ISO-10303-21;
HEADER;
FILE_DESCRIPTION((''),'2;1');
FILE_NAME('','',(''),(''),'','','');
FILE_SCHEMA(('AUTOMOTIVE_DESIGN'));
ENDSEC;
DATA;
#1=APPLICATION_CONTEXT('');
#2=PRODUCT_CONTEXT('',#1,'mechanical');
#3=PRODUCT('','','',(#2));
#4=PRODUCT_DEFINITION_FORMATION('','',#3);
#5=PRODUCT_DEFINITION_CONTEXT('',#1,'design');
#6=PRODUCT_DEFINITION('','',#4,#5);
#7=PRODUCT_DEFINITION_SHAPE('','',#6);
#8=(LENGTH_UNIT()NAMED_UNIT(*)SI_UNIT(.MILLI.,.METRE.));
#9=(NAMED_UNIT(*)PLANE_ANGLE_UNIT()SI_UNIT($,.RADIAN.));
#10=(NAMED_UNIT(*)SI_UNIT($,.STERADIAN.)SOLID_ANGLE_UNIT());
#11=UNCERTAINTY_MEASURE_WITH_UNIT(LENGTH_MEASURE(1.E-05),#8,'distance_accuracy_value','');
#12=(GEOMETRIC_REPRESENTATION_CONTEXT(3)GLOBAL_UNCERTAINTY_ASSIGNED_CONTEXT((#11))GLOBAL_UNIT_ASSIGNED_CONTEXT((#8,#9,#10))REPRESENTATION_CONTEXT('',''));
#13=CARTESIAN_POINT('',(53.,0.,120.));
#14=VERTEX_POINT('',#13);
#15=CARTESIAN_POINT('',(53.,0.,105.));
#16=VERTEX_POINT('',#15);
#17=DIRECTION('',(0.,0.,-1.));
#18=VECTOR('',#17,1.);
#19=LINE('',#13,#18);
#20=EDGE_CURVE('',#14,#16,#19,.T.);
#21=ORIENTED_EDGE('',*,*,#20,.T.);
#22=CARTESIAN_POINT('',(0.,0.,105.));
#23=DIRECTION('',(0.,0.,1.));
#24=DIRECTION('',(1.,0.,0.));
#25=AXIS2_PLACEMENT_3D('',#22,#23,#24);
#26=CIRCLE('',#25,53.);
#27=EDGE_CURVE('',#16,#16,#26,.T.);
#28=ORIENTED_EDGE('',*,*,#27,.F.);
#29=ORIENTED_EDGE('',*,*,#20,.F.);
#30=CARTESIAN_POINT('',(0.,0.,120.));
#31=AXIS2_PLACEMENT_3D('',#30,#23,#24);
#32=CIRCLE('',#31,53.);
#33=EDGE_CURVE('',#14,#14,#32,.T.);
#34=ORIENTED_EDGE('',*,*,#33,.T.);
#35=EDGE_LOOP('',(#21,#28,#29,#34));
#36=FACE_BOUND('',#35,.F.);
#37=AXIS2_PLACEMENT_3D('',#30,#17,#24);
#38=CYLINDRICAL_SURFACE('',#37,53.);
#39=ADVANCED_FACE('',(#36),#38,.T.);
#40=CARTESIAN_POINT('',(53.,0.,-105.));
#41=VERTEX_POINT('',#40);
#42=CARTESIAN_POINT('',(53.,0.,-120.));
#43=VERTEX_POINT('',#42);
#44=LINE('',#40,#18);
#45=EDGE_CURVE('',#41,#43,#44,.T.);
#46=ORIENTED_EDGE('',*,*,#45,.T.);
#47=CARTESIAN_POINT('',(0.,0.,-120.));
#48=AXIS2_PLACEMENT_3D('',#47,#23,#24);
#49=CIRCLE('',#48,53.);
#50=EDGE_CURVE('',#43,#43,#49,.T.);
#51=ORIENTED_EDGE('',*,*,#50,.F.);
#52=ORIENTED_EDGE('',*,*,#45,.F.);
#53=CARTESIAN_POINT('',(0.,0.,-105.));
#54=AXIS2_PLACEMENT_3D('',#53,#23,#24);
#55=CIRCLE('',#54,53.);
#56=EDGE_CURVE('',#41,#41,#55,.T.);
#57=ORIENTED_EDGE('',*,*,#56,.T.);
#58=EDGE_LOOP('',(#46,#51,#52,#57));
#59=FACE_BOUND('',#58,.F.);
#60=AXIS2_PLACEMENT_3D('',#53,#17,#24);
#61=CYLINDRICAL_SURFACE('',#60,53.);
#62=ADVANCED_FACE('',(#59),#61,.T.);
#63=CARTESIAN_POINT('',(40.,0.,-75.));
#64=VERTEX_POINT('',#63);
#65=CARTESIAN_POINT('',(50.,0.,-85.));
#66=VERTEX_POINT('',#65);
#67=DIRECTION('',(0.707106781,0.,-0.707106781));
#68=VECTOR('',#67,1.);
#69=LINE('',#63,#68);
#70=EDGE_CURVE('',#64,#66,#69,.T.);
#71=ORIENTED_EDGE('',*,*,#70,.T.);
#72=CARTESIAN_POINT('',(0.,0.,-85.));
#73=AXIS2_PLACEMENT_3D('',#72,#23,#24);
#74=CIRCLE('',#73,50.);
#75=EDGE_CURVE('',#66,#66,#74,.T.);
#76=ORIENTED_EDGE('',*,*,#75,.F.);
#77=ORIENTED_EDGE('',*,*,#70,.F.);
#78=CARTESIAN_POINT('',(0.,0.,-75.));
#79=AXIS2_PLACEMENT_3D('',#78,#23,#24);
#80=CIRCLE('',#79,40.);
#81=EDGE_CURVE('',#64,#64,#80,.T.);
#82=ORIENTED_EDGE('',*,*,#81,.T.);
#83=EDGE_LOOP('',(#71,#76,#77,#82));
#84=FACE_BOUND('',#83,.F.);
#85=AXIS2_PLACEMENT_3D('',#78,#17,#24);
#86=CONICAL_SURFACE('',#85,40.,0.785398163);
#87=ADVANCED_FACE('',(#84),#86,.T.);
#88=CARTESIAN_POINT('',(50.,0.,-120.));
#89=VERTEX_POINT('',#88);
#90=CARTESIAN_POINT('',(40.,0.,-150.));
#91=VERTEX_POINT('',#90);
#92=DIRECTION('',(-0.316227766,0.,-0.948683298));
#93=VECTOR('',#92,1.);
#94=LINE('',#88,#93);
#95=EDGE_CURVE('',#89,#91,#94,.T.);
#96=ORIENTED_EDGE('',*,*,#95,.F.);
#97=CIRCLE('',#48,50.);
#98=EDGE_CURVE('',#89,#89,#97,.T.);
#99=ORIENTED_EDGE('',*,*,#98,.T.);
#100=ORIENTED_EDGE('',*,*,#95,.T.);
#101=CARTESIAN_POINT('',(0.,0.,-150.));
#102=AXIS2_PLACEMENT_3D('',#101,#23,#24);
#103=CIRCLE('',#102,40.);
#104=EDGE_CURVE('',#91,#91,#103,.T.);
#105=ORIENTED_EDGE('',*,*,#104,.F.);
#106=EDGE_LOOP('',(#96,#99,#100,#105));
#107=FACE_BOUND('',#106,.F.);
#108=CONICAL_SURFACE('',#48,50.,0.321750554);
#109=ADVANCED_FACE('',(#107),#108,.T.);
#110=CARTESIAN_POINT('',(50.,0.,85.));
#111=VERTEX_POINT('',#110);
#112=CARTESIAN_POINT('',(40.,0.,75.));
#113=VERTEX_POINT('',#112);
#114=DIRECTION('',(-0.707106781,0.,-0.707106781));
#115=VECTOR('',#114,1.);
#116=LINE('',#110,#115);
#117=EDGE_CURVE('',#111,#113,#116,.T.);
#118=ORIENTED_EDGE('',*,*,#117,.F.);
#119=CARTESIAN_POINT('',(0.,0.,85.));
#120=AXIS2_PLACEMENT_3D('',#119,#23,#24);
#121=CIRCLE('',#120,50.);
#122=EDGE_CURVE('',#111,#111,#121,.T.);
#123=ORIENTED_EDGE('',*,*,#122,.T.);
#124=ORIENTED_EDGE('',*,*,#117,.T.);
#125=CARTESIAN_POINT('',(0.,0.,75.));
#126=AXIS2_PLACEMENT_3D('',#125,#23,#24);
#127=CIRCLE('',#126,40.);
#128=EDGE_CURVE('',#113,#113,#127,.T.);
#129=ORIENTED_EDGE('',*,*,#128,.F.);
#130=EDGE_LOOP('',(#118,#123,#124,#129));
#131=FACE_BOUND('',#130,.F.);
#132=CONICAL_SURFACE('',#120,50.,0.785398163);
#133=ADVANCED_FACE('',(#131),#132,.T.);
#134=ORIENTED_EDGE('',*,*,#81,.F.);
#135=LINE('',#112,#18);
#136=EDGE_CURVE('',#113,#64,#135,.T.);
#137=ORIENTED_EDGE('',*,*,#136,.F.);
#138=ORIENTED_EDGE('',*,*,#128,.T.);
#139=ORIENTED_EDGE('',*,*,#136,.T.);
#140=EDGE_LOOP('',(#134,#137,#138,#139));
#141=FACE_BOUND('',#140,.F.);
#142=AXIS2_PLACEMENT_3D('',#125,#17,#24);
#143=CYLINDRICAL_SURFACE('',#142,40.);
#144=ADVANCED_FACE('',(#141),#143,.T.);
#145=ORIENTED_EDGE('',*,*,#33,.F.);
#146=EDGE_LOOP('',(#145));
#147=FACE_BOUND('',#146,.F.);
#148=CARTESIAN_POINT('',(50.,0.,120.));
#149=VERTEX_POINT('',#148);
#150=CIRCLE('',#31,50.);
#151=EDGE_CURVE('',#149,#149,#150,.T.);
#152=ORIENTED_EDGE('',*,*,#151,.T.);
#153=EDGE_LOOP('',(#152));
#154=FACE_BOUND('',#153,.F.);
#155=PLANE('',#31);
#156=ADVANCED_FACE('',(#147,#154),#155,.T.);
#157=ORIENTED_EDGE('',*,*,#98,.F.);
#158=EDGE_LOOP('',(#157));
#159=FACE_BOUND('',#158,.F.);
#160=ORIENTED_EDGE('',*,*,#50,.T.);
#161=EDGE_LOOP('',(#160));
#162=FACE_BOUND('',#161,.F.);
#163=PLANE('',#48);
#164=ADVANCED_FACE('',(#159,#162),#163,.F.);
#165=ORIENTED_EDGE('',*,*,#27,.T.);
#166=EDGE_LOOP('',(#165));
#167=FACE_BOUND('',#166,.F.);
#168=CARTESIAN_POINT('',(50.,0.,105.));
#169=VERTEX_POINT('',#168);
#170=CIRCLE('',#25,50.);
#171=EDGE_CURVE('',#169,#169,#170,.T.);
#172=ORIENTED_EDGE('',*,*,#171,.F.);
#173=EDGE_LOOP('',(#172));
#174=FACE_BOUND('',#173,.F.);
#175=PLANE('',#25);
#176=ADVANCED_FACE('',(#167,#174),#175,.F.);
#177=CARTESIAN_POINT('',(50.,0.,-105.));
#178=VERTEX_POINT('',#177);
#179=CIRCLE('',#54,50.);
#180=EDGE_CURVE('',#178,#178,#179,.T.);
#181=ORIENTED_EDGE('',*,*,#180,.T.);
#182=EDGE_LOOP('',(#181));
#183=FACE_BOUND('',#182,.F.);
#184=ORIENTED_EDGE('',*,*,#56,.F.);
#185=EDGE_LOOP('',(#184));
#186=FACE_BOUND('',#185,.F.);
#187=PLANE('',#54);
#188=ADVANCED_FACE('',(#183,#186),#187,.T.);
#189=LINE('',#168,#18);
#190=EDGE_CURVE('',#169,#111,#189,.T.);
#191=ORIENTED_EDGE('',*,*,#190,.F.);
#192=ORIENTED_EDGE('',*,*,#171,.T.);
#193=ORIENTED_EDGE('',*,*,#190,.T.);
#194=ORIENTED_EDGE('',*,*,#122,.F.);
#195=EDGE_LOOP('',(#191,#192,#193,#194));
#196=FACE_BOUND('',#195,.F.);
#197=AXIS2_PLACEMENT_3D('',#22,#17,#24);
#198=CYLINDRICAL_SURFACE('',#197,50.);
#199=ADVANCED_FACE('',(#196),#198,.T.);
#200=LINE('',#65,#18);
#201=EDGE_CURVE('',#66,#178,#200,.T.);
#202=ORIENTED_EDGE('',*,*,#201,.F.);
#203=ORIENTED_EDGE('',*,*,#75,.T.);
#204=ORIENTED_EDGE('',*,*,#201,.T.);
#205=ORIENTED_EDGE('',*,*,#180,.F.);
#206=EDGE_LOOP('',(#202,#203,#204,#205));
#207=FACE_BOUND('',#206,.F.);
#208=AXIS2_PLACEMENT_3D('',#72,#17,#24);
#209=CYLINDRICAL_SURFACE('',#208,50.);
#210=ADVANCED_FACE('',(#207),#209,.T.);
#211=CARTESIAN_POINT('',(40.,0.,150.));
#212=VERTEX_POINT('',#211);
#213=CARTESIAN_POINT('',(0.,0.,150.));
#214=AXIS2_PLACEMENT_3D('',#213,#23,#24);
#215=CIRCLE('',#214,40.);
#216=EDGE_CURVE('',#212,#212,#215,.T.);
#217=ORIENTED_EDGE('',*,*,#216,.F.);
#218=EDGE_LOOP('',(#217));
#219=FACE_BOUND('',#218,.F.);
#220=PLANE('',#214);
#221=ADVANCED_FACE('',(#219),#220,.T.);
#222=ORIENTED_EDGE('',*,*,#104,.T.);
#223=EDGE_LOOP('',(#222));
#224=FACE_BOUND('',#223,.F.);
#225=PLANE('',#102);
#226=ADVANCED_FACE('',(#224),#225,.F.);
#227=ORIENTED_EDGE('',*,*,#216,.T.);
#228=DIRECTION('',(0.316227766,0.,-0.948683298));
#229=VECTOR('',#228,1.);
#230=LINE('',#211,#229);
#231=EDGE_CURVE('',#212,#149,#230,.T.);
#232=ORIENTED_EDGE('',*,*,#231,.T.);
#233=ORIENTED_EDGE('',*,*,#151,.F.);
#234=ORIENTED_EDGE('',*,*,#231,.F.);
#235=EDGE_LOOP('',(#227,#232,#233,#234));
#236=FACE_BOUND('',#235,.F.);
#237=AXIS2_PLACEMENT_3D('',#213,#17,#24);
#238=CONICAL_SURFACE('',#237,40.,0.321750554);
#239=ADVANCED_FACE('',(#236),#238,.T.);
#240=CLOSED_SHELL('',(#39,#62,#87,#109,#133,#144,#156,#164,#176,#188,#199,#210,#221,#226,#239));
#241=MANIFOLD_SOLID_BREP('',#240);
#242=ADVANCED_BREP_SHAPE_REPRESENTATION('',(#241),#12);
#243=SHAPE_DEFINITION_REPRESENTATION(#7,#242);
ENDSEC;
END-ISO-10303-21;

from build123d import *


with BuildPart() as part:
    # Sketch → Revolution (revolve)
    with BuildSketch(Plane.XZ):
        Polygon((0, 150), (40, 150), (50, 120), (53, 120), (53, 105), (50, 105), (50, 85), (40, 75), (40, -75), (50, -85), (50, -105), (53, -105), (53, -120), (50, -120), (40, -150), (0, -150), align=None)
    revolve(axis=Axis((0, 0, 0), (0, 0, 1)))


solid = part.part
